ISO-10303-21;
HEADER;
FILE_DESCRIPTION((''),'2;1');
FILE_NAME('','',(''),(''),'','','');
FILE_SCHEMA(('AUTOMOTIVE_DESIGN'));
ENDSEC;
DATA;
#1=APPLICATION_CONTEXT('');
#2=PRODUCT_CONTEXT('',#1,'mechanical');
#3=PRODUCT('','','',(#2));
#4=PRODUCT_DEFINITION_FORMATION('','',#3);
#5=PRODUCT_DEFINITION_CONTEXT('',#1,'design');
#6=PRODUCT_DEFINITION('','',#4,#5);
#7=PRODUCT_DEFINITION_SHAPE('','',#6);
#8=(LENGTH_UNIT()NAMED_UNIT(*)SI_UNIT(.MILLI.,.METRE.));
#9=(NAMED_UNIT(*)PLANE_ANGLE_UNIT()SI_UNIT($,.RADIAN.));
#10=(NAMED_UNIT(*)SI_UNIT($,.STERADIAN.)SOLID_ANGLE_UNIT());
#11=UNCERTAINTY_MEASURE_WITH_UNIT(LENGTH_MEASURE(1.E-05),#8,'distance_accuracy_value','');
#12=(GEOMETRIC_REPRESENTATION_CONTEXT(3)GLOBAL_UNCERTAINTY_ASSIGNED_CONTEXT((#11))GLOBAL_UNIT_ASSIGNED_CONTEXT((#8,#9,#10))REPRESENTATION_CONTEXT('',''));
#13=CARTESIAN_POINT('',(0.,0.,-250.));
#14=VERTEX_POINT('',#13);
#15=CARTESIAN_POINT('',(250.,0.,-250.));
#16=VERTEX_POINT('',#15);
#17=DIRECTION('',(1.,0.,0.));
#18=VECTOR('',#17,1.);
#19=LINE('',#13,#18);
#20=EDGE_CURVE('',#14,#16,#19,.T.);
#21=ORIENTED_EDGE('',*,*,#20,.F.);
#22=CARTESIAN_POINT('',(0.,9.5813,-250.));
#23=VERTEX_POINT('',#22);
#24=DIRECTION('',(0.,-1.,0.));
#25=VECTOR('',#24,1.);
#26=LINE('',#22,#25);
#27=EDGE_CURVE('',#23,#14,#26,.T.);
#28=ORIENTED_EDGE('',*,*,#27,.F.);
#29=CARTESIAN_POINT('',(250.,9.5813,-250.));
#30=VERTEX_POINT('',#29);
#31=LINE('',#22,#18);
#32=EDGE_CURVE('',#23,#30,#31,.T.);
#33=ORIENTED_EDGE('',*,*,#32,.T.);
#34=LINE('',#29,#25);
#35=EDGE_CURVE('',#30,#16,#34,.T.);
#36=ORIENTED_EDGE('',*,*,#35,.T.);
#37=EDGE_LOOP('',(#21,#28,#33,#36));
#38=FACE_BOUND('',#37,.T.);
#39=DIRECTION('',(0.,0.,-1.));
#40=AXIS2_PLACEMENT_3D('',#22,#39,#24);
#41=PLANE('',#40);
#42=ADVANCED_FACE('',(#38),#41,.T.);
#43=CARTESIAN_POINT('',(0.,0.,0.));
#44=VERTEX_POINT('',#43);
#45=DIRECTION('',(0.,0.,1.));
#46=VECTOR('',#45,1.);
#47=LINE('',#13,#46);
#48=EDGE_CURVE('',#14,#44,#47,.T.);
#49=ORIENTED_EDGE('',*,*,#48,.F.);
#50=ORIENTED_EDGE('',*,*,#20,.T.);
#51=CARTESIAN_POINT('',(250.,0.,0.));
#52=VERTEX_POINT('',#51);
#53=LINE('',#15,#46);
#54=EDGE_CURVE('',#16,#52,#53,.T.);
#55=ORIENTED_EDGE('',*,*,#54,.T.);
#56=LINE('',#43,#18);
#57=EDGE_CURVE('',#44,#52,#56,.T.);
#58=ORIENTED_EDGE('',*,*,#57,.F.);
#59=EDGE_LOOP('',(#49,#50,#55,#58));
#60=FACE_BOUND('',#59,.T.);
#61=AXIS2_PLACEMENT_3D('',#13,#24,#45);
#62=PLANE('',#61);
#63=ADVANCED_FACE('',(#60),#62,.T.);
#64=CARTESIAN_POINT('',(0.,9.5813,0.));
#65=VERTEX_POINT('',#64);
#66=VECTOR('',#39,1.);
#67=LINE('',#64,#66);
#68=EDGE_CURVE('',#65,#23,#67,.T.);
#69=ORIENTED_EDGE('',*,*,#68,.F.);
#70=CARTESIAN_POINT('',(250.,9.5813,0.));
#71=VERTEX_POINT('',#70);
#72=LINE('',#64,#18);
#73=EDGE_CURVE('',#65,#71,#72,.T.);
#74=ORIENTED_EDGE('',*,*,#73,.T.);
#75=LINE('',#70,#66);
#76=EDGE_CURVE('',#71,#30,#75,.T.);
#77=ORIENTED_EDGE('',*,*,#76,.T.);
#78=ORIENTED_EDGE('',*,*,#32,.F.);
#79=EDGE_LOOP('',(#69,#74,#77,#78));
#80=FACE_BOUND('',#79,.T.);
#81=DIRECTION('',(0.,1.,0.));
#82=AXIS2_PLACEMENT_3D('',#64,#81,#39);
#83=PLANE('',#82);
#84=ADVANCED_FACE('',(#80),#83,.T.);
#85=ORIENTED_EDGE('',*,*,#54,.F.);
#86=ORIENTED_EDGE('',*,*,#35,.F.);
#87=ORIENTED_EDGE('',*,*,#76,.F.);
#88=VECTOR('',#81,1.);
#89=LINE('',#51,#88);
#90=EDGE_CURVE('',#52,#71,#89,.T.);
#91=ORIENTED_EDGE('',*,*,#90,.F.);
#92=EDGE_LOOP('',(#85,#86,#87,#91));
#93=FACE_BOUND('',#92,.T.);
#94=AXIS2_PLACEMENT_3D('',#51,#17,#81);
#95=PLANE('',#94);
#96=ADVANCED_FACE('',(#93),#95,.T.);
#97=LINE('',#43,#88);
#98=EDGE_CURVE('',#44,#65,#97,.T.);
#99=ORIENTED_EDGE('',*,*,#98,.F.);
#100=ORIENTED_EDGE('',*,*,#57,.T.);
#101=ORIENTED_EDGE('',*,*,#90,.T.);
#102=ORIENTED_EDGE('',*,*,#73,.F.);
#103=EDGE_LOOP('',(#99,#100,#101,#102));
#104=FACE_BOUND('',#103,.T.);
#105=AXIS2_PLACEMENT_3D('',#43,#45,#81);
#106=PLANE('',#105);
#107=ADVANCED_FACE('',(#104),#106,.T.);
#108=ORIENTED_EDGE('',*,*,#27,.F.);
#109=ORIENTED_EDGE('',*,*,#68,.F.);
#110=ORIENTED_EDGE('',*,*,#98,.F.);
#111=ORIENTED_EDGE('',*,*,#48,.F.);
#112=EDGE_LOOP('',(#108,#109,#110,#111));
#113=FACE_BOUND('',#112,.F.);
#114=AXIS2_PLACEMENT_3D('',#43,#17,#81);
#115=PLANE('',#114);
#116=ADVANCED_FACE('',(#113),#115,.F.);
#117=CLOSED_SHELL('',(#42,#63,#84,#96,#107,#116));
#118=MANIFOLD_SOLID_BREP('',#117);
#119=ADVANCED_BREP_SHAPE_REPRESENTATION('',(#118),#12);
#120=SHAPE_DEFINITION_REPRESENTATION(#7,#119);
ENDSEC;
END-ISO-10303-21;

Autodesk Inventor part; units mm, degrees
ref_plane "YZ Plane" through (0, 0, 0) normal (1, 0, 0) x (0, 1, 0)
ref_plane "XZ Plane" through (0, 0, 0) normal (0, 1, 0) x (-1, 0, 0)
ref_plane "XY Plane" through (0, 0, 0) normal (0, 0, 1) x (1, 0, 0)
sketch "Sketch1" plane through (0, 0, 0) normal (1, 0, 0) x (0, 1, 0)
  line L0 (0, 0) -> (9.5813, 0)
  line L1 (9.5813, 0) -> (9.5813, -250)
  line L2 (9.5813, -250) -> (0, -250)
  line L3 (0, -250) -> (0, 0)
  dimension "d0" = 250
  dimension "d1" = 9.5813
extrude "Extrusion1" add sketch "Sketch1" along normal blind 250
properties part number "side wall" material "Pine"
